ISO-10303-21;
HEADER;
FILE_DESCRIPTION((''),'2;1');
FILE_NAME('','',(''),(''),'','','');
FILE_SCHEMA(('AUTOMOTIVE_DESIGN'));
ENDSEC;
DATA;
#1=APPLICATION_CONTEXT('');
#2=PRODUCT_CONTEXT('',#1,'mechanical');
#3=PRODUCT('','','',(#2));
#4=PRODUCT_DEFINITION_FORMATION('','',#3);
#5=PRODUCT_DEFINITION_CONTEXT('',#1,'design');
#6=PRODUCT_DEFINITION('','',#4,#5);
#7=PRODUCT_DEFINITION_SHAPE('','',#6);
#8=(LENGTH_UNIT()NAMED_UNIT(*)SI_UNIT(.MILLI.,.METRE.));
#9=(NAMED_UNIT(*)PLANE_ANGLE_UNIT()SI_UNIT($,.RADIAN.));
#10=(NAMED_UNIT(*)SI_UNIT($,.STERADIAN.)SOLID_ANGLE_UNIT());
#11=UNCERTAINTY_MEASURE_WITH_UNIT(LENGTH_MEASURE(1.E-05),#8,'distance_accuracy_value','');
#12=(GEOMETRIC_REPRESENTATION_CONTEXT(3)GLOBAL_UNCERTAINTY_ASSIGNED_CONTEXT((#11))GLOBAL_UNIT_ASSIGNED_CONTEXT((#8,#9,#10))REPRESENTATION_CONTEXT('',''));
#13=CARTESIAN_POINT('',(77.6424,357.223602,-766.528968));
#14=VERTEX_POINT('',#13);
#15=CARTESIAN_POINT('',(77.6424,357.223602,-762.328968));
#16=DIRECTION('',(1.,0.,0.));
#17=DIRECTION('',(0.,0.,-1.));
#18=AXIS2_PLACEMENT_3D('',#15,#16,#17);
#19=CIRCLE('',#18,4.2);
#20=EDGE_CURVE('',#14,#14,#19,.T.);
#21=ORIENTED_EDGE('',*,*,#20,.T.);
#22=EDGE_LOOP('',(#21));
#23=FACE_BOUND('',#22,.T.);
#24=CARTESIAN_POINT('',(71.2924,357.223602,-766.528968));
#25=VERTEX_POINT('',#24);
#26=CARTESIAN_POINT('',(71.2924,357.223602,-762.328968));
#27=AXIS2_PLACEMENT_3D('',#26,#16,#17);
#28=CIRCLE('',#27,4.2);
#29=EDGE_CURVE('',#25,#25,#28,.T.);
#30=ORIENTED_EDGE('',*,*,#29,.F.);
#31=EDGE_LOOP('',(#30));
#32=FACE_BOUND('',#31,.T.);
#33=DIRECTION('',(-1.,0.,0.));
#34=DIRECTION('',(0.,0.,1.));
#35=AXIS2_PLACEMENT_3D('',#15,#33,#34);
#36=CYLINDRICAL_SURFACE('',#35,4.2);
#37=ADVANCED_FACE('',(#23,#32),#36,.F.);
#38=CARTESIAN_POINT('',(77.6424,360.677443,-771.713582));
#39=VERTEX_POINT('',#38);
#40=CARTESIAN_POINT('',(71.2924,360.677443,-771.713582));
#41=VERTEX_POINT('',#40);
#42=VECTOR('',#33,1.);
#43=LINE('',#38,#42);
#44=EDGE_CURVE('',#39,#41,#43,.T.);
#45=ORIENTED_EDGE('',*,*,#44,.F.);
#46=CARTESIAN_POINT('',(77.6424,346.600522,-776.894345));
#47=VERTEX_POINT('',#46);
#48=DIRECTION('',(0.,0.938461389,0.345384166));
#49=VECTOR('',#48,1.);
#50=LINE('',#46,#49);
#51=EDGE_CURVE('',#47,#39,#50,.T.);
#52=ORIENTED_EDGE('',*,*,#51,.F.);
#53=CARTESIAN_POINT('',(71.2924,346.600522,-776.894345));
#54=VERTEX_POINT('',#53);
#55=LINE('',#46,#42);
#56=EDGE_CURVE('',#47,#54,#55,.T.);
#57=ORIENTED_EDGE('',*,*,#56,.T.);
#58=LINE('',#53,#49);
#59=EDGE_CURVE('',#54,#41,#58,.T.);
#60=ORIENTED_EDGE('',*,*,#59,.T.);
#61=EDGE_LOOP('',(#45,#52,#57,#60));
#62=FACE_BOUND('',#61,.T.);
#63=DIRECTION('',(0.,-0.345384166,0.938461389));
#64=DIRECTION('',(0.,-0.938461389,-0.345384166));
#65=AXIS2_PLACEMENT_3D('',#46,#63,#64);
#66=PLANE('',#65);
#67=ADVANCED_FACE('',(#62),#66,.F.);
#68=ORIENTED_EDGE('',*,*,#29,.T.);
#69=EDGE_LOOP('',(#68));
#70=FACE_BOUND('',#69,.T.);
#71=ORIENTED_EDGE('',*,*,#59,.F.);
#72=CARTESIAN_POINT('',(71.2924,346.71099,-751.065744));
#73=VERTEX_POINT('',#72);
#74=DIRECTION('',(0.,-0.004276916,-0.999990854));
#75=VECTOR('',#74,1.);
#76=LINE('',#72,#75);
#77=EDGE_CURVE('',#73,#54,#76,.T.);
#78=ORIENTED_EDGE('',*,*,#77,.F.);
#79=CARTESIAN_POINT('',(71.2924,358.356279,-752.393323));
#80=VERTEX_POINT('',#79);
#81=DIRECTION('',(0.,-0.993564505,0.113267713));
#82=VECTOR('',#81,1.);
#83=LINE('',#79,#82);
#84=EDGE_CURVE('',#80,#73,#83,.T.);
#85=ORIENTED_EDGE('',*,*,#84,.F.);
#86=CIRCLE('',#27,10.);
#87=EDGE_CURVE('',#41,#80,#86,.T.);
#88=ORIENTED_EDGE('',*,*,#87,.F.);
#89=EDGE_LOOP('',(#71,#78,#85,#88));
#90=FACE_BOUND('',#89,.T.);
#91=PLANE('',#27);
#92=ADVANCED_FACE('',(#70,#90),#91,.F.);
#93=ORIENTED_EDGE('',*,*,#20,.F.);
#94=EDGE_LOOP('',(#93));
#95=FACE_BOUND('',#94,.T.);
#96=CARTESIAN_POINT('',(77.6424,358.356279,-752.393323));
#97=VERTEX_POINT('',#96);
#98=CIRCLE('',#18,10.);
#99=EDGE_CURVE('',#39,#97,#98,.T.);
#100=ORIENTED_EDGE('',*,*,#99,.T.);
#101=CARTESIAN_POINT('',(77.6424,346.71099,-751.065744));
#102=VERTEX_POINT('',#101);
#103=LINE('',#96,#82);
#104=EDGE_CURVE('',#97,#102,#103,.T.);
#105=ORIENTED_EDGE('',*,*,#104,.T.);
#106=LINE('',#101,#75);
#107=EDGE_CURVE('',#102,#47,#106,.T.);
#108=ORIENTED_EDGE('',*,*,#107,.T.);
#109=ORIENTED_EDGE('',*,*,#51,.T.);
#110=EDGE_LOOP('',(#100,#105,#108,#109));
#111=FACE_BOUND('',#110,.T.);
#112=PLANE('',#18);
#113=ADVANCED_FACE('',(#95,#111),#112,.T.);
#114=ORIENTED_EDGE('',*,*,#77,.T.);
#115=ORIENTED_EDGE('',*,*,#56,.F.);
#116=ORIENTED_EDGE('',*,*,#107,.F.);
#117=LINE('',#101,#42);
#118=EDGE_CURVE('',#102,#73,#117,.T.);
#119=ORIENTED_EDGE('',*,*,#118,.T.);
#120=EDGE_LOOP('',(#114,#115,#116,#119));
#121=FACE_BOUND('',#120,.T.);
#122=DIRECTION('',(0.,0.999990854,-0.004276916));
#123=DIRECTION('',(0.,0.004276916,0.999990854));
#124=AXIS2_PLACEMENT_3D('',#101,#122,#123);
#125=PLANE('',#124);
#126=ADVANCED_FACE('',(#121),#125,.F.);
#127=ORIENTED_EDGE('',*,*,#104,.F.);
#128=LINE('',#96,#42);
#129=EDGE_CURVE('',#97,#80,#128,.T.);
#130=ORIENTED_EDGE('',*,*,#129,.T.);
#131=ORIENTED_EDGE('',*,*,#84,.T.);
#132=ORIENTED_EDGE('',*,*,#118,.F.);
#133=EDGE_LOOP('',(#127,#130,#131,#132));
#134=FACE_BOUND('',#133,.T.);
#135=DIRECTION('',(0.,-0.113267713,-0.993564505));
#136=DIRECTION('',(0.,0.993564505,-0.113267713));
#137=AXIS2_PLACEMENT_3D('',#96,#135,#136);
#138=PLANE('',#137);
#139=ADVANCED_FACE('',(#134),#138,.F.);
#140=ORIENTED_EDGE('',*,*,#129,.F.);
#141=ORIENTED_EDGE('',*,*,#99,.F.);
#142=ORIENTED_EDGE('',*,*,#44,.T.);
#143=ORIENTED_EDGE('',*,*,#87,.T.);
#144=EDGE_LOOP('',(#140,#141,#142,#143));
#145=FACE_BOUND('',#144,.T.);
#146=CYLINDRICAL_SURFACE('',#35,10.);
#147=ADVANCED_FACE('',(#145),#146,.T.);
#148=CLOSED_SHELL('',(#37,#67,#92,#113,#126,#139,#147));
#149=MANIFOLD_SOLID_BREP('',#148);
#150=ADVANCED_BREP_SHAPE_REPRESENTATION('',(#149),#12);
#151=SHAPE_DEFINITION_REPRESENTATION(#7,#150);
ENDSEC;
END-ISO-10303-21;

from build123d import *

# Parameters (mm, degrees)
SKETCH1_R           = 4.2
BOSS_EXTRUDE1_DEPTH = 6.35


with BuildPart() as part:
    # Sketch1 → Boss-Extrude1 (new body)
    with BuildSketch(Plane(origin=(71.29240007, 0, 0), x_dir=(0, 0, -1), z_dir=(1, 0, 0))):
        with BuildLine():
            Line((752.39332308, 358.356278755), (751.065744258, 346.710990224))
            Line((751.065744258, 346.710990224), (776.894344503, 346.600522459))
            Line((776.894344503, 346.600522459), (771.713582015, 360.677443288))
            ThreePointArc((771.713582015, 360.677443288), (761.13613116, 367.152203744), (752.39332308, 358.356278755))
        make_face()
        with Locations((762.328968128, 357.223601629)):
            Circle(SKETCH1_R, mode=Mode.SUBTRACT)
    extrude(amount=BOSS_EXTRUDE1_DEPTH)


solid = part.part
